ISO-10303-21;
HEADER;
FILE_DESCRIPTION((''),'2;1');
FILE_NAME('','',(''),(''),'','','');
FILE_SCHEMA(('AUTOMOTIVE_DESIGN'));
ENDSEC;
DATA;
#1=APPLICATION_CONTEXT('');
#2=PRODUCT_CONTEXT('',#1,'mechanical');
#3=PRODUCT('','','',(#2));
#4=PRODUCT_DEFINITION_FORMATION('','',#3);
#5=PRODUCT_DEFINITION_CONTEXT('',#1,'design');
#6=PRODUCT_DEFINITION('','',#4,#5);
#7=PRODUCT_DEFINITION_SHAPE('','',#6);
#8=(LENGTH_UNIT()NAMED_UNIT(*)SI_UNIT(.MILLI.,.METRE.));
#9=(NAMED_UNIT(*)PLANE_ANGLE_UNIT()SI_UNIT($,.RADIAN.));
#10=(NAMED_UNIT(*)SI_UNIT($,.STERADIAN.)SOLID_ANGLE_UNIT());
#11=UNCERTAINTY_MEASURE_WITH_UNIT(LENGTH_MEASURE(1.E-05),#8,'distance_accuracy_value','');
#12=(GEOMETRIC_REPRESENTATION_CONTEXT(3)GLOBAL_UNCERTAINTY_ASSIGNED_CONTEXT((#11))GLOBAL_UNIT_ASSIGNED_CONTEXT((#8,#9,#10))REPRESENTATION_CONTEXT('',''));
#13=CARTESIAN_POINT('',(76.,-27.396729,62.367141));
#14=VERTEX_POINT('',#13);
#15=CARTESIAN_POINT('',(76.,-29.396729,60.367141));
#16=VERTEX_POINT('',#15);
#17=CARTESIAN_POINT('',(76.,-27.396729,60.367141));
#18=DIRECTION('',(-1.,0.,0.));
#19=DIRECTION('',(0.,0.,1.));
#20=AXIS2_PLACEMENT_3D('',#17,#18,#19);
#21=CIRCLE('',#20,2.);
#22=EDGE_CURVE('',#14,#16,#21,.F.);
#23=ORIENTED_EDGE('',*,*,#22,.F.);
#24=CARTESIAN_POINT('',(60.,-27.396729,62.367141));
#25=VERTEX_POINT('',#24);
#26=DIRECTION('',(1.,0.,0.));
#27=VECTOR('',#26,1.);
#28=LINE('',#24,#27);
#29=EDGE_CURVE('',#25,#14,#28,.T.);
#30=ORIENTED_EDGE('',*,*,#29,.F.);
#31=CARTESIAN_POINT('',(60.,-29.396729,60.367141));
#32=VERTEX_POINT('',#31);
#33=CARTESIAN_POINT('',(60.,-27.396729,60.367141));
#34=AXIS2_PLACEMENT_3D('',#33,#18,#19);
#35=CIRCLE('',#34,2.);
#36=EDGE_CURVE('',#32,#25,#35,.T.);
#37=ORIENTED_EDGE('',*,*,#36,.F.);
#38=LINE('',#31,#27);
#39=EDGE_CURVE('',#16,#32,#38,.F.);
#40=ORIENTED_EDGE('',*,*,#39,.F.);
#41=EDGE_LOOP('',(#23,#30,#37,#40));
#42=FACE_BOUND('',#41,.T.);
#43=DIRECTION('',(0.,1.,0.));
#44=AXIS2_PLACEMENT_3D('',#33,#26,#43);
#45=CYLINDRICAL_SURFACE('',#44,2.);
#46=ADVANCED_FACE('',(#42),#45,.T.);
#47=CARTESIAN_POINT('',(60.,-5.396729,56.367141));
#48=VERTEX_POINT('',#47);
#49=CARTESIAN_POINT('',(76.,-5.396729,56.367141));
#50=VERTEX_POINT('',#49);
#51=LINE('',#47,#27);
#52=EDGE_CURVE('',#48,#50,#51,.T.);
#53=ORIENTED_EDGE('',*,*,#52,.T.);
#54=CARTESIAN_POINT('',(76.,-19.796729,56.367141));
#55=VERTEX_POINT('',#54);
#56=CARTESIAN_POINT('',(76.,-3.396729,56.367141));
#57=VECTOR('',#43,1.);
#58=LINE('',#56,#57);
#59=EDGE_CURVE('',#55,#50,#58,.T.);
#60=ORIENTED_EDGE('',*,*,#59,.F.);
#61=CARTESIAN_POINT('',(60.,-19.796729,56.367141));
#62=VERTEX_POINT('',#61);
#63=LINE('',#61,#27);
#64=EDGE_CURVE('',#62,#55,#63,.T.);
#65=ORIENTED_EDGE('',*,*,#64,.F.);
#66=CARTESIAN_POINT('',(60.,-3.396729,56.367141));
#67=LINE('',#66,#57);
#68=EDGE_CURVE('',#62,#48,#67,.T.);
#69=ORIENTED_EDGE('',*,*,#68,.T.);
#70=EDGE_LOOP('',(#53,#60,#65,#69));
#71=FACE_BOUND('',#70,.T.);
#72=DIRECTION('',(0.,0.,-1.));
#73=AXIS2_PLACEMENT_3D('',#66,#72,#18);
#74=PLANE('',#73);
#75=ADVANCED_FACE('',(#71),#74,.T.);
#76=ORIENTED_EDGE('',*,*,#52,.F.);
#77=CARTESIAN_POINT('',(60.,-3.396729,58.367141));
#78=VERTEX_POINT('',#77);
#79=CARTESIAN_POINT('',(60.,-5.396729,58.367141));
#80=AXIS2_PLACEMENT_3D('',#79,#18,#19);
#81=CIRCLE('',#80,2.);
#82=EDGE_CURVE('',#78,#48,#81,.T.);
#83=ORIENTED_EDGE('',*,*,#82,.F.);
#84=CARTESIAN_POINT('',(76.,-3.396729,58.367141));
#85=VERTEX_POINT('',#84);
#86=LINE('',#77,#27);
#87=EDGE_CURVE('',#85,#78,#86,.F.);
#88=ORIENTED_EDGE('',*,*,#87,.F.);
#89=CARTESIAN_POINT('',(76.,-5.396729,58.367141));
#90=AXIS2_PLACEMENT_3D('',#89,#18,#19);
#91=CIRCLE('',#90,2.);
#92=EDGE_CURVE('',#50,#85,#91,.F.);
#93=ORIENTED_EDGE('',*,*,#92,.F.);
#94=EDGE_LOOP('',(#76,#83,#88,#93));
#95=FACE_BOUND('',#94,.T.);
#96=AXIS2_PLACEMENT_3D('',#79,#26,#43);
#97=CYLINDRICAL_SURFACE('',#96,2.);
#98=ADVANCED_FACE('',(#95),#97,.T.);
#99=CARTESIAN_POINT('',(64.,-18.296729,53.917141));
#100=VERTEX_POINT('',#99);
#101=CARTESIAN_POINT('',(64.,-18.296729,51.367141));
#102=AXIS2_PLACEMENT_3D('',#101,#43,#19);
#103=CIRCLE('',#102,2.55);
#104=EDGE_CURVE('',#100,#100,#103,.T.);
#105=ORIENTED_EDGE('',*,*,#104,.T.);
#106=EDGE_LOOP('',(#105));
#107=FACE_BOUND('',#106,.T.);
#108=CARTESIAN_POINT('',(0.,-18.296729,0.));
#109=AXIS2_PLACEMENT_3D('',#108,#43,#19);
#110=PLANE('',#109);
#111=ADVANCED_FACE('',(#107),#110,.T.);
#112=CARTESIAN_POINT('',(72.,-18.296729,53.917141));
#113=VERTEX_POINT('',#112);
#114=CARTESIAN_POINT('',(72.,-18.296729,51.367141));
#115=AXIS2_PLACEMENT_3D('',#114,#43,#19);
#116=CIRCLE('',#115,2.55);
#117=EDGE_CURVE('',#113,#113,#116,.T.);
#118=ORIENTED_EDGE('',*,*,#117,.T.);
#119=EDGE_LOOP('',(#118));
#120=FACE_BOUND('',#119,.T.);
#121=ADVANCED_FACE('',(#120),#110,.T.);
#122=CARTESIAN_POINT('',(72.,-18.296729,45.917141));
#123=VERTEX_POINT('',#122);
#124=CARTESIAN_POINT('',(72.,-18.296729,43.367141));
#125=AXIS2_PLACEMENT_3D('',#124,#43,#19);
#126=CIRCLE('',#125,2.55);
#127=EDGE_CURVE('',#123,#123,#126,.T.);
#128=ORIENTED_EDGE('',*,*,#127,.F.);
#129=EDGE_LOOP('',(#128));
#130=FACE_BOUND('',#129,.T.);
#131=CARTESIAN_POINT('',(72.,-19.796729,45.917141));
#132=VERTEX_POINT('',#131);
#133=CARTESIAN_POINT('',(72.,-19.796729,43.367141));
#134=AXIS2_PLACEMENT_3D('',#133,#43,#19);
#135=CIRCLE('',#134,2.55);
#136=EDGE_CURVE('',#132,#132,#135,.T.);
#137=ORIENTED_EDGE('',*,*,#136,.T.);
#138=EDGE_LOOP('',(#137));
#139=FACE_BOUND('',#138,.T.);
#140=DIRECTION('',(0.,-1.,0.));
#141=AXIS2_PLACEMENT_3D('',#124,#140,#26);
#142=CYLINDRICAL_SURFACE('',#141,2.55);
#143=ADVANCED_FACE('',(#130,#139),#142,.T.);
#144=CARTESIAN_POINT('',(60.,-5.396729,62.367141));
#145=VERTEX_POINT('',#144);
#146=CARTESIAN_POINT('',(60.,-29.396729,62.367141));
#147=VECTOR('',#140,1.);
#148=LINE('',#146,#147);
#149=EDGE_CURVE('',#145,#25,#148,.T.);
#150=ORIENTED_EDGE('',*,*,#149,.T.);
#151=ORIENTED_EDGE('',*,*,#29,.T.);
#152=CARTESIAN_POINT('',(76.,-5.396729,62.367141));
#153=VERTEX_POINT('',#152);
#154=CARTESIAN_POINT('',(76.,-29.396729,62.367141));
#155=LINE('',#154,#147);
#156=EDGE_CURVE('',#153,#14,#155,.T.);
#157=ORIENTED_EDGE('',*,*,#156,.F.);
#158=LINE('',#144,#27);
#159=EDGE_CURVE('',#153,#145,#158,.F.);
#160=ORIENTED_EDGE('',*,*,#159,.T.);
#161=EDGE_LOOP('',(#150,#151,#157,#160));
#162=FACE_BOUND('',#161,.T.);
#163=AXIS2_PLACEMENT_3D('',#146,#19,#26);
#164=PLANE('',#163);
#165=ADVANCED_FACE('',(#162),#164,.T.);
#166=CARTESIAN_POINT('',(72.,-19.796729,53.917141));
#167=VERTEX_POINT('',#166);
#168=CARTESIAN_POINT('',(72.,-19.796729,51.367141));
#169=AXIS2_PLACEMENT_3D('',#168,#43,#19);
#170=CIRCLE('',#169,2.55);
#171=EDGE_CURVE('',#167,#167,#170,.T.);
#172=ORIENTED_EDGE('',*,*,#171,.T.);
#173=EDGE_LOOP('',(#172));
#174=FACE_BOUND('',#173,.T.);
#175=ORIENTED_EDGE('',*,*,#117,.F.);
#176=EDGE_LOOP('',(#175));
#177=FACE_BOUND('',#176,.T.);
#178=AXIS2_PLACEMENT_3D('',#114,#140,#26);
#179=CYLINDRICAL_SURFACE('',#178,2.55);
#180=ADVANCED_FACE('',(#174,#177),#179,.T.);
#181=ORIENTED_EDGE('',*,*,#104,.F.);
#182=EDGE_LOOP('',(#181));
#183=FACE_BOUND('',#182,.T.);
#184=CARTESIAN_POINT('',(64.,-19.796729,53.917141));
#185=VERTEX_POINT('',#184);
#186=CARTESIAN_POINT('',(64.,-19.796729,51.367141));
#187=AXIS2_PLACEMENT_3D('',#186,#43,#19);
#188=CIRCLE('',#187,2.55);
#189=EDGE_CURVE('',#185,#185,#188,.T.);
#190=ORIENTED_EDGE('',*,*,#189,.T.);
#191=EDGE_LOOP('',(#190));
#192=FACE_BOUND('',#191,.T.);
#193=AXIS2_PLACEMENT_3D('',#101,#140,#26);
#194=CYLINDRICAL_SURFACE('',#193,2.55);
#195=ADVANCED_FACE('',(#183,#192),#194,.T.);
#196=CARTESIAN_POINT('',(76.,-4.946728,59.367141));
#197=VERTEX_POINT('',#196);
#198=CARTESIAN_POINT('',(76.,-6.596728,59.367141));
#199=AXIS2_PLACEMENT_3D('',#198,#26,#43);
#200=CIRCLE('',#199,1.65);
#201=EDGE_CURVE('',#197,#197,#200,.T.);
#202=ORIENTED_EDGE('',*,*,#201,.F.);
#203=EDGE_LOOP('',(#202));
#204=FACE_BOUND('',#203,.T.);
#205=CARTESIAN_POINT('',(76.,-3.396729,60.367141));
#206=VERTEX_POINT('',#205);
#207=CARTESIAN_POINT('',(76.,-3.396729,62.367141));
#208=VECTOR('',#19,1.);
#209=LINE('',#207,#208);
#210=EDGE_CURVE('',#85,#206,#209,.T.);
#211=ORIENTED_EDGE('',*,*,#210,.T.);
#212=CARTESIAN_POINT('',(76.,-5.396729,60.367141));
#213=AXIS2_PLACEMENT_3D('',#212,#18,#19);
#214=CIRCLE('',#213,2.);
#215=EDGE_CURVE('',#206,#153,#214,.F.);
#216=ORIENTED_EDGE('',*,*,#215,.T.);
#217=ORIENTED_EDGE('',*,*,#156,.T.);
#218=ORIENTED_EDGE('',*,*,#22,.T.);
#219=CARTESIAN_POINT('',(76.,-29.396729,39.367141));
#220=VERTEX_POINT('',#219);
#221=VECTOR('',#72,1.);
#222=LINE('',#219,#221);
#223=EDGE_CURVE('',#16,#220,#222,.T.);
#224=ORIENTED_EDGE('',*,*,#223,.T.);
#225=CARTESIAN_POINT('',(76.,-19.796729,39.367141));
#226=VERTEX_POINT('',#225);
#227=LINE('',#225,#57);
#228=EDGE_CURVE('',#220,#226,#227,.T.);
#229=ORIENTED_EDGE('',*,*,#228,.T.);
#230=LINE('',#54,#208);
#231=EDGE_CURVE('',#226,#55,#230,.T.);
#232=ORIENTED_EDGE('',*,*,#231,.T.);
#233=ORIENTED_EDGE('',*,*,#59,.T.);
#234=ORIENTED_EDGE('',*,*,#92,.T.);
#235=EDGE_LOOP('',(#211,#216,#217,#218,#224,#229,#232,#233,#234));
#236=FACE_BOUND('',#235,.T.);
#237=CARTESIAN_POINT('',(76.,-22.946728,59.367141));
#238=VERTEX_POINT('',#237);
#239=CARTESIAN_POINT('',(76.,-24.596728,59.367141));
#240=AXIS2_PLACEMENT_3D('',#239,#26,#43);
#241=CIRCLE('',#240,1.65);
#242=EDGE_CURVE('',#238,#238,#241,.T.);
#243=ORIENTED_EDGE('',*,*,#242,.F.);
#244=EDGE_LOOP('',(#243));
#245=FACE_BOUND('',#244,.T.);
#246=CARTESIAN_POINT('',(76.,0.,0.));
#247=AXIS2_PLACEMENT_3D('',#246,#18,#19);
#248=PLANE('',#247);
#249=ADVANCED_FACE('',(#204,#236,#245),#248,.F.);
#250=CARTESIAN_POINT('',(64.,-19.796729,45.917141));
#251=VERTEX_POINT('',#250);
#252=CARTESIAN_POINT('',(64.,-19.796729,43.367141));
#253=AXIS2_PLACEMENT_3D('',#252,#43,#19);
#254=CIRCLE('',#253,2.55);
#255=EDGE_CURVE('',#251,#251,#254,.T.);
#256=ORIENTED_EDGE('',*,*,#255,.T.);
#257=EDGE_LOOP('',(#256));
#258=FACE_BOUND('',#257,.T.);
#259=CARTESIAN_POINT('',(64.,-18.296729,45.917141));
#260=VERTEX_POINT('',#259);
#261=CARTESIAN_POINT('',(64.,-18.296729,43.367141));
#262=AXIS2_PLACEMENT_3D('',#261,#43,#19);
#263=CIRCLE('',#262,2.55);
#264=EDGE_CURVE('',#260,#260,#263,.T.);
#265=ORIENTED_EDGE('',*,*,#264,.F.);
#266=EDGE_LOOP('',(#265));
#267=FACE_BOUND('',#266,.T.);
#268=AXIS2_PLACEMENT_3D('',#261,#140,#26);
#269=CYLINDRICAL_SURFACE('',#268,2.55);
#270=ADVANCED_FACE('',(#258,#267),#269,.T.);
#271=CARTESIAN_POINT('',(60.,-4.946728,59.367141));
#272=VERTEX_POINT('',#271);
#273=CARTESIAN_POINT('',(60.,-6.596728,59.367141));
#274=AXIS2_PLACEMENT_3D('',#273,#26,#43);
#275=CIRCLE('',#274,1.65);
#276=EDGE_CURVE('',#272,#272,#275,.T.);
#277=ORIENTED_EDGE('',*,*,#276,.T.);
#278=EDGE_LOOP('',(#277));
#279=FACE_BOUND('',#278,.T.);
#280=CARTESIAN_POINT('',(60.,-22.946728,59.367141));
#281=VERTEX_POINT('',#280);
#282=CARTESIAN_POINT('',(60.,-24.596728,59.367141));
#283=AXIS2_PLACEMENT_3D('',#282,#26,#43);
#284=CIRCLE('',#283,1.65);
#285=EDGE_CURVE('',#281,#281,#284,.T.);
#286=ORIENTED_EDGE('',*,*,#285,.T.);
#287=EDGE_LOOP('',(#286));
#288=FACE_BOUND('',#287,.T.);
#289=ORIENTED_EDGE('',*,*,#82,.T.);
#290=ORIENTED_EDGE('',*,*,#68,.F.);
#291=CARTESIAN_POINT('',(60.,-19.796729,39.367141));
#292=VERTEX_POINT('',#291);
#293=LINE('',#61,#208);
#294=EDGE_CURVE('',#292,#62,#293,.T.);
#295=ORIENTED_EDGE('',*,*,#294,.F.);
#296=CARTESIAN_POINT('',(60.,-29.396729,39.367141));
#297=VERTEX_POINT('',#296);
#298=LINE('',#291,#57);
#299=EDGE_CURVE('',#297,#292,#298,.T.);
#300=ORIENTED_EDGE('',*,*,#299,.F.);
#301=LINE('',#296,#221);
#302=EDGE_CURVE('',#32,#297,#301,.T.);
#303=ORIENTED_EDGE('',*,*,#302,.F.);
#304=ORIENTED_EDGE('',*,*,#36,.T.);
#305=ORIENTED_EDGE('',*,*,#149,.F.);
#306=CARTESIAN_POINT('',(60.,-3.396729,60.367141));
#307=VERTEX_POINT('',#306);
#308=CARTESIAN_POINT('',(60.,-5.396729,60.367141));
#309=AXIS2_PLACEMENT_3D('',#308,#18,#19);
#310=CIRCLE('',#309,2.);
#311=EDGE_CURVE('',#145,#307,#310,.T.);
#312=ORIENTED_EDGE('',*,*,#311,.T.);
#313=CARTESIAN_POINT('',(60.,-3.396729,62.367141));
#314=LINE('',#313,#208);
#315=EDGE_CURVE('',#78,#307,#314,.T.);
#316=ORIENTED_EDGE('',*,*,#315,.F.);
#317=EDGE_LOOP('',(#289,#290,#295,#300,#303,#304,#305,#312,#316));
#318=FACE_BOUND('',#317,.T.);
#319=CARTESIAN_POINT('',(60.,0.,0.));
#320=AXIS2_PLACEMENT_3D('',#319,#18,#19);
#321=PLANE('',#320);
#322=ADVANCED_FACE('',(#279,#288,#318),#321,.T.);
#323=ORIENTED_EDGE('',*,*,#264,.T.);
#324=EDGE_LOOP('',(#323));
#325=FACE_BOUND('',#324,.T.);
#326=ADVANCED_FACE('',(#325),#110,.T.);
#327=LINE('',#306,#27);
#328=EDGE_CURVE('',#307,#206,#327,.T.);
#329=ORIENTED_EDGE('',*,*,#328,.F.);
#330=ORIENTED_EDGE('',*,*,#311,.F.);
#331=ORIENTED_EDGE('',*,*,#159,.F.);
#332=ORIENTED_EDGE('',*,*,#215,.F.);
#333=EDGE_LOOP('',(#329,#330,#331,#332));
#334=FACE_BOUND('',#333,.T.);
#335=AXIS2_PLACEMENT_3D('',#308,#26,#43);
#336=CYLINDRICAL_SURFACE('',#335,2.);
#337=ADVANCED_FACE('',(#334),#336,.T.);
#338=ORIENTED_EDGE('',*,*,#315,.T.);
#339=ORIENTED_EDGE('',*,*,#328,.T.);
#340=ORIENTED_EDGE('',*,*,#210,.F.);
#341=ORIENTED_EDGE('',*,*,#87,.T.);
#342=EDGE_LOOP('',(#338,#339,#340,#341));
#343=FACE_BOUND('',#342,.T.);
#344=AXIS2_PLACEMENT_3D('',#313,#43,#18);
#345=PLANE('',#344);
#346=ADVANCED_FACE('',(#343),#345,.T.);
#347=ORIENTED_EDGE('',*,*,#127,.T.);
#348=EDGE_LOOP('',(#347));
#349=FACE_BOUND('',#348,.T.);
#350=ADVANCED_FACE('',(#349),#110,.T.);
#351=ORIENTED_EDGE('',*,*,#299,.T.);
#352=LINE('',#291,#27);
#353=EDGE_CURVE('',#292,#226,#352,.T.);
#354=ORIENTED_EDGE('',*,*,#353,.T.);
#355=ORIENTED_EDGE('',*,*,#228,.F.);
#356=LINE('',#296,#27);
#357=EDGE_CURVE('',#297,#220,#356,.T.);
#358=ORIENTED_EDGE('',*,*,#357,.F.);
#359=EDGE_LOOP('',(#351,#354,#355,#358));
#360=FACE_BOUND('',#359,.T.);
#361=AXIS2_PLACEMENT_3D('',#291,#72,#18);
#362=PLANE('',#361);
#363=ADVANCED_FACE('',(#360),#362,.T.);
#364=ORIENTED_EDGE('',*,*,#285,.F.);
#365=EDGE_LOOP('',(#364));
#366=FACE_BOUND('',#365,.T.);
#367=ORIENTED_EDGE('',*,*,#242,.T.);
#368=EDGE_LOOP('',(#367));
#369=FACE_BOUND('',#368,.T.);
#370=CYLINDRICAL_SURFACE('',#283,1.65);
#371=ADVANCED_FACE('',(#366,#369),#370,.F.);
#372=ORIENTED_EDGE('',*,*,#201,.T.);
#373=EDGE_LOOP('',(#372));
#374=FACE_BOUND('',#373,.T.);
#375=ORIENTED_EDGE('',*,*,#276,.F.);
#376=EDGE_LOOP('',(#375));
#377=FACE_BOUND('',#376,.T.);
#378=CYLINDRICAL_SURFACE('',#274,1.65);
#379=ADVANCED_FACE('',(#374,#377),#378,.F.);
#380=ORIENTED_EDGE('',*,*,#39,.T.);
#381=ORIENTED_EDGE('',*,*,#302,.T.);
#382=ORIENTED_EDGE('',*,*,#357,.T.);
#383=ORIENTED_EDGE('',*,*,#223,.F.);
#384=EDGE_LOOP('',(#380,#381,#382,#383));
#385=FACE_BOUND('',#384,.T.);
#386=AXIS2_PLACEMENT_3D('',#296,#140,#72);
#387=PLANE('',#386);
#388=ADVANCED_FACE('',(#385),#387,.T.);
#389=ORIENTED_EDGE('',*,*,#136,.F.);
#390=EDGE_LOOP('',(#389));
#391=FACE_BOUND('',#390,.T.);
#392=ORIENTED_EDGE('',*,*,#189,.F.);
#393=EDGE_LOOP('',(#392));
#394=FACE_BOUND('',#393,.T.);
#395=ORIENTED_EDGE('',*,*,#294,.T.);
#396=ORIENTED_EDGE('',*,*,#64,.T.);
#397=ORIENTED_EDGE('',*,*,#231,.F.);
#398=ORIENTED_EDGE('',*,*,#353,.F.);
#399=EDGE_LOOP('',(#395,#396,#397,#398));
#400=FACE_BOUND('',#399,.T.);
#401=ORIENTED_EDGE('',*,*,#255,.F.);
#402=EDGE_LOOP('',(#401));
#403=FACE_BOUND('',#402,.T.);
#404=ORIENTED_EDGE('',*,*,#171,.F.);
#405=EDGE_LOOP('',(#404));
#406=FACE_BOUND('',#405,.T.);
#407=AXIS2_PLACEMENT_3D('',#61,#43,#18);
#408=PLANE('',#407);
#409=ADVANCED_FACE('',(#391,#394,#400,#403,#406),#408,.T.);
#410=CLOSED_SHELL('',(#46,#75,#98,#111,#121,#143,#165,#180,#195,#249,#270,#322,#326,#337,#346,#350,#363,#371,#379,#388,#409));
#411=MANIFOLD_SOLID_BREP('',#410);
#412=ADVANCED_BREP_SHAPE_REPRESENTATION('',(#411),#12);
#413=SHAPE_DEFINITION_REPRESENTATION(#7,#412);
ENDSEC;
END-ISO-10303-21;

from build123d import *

# Parameters (mm, degrees)
SKETCH1_R           = 1.65
BOSS_EXTRUDE1_DEPTH = 16
SKETCH2_R           = 2.55
BOSS_EXTRUDE2_DEPTH = 1.5
FILLET1_R           = 2


with BuildPart() as part:
    # Sketch1 → Boss-Extrude1 (new body)
    with BuildSketch(Plane(origin=(76, 0, 0), x_dir=(0, 0, -1), z_dir=(1, 0, 0))):
        Polygon((-39.367141304, -29.396728555), (-62.367141304, -29.396728555), (-62.367141304, -3.396728555), (-56.367141304, -3.396728555), (-56.367141304, -19.796728555), (-39.367141304, -19.796728555), align=None)
        with Locations(Location((-59.367141305, -24.59672823, 0), (0, 0, 90))):
            Circle(SKETCH1_R, mode=Mode.SUBTRACT)
        with Locations(Location((-59.367141305, -6.59672823, 0), (0, 0, 90))):
            Circle(SKETCH1_R, mode=Mode.SUBTRACT)
    extrude(amount=-BOSS_EXTRUDE1_DEPTH)

    # Sketch2 → Boss-Extrude2 (add)
    with BuildSketch(Plane(origin=(0, -19.796728555, 0), x_dir=(1, 0, 0), z_dir=(0, 1, 0))):
        with Locations(Location((64, -51.367141304, 0), (0, 0, 270))):
            Circle(SKETCH2_R)
        with Locations(Location((64, -43.367141304, 0), (0, 0, 270))):
            Circle(SKETCH2_R)
        with Locations(Location((72, -43.367141304, 0), (0, 0, 270))):
            Circle(SKETCH2_R)
        with Locations(Location((72, -51.367141304, 0), (0, 0, 270))):
            Circle(SKETCH2_R)
    extrude(amount=BOSS_EXTRUDE2_DEPTH)

    # Fillet1
    fillet1_edges = [part.edges().sort_by_distance(p)[0] for p in [
        (68, -29.396728555, 62.367141304),
        (68, -3.396728555, 62.367141304),
        (68, -3.396728555, 56.367141304),
    ]]
    fillet(fillet1_edges, radius=FILLET1_R)


solid = part.part
